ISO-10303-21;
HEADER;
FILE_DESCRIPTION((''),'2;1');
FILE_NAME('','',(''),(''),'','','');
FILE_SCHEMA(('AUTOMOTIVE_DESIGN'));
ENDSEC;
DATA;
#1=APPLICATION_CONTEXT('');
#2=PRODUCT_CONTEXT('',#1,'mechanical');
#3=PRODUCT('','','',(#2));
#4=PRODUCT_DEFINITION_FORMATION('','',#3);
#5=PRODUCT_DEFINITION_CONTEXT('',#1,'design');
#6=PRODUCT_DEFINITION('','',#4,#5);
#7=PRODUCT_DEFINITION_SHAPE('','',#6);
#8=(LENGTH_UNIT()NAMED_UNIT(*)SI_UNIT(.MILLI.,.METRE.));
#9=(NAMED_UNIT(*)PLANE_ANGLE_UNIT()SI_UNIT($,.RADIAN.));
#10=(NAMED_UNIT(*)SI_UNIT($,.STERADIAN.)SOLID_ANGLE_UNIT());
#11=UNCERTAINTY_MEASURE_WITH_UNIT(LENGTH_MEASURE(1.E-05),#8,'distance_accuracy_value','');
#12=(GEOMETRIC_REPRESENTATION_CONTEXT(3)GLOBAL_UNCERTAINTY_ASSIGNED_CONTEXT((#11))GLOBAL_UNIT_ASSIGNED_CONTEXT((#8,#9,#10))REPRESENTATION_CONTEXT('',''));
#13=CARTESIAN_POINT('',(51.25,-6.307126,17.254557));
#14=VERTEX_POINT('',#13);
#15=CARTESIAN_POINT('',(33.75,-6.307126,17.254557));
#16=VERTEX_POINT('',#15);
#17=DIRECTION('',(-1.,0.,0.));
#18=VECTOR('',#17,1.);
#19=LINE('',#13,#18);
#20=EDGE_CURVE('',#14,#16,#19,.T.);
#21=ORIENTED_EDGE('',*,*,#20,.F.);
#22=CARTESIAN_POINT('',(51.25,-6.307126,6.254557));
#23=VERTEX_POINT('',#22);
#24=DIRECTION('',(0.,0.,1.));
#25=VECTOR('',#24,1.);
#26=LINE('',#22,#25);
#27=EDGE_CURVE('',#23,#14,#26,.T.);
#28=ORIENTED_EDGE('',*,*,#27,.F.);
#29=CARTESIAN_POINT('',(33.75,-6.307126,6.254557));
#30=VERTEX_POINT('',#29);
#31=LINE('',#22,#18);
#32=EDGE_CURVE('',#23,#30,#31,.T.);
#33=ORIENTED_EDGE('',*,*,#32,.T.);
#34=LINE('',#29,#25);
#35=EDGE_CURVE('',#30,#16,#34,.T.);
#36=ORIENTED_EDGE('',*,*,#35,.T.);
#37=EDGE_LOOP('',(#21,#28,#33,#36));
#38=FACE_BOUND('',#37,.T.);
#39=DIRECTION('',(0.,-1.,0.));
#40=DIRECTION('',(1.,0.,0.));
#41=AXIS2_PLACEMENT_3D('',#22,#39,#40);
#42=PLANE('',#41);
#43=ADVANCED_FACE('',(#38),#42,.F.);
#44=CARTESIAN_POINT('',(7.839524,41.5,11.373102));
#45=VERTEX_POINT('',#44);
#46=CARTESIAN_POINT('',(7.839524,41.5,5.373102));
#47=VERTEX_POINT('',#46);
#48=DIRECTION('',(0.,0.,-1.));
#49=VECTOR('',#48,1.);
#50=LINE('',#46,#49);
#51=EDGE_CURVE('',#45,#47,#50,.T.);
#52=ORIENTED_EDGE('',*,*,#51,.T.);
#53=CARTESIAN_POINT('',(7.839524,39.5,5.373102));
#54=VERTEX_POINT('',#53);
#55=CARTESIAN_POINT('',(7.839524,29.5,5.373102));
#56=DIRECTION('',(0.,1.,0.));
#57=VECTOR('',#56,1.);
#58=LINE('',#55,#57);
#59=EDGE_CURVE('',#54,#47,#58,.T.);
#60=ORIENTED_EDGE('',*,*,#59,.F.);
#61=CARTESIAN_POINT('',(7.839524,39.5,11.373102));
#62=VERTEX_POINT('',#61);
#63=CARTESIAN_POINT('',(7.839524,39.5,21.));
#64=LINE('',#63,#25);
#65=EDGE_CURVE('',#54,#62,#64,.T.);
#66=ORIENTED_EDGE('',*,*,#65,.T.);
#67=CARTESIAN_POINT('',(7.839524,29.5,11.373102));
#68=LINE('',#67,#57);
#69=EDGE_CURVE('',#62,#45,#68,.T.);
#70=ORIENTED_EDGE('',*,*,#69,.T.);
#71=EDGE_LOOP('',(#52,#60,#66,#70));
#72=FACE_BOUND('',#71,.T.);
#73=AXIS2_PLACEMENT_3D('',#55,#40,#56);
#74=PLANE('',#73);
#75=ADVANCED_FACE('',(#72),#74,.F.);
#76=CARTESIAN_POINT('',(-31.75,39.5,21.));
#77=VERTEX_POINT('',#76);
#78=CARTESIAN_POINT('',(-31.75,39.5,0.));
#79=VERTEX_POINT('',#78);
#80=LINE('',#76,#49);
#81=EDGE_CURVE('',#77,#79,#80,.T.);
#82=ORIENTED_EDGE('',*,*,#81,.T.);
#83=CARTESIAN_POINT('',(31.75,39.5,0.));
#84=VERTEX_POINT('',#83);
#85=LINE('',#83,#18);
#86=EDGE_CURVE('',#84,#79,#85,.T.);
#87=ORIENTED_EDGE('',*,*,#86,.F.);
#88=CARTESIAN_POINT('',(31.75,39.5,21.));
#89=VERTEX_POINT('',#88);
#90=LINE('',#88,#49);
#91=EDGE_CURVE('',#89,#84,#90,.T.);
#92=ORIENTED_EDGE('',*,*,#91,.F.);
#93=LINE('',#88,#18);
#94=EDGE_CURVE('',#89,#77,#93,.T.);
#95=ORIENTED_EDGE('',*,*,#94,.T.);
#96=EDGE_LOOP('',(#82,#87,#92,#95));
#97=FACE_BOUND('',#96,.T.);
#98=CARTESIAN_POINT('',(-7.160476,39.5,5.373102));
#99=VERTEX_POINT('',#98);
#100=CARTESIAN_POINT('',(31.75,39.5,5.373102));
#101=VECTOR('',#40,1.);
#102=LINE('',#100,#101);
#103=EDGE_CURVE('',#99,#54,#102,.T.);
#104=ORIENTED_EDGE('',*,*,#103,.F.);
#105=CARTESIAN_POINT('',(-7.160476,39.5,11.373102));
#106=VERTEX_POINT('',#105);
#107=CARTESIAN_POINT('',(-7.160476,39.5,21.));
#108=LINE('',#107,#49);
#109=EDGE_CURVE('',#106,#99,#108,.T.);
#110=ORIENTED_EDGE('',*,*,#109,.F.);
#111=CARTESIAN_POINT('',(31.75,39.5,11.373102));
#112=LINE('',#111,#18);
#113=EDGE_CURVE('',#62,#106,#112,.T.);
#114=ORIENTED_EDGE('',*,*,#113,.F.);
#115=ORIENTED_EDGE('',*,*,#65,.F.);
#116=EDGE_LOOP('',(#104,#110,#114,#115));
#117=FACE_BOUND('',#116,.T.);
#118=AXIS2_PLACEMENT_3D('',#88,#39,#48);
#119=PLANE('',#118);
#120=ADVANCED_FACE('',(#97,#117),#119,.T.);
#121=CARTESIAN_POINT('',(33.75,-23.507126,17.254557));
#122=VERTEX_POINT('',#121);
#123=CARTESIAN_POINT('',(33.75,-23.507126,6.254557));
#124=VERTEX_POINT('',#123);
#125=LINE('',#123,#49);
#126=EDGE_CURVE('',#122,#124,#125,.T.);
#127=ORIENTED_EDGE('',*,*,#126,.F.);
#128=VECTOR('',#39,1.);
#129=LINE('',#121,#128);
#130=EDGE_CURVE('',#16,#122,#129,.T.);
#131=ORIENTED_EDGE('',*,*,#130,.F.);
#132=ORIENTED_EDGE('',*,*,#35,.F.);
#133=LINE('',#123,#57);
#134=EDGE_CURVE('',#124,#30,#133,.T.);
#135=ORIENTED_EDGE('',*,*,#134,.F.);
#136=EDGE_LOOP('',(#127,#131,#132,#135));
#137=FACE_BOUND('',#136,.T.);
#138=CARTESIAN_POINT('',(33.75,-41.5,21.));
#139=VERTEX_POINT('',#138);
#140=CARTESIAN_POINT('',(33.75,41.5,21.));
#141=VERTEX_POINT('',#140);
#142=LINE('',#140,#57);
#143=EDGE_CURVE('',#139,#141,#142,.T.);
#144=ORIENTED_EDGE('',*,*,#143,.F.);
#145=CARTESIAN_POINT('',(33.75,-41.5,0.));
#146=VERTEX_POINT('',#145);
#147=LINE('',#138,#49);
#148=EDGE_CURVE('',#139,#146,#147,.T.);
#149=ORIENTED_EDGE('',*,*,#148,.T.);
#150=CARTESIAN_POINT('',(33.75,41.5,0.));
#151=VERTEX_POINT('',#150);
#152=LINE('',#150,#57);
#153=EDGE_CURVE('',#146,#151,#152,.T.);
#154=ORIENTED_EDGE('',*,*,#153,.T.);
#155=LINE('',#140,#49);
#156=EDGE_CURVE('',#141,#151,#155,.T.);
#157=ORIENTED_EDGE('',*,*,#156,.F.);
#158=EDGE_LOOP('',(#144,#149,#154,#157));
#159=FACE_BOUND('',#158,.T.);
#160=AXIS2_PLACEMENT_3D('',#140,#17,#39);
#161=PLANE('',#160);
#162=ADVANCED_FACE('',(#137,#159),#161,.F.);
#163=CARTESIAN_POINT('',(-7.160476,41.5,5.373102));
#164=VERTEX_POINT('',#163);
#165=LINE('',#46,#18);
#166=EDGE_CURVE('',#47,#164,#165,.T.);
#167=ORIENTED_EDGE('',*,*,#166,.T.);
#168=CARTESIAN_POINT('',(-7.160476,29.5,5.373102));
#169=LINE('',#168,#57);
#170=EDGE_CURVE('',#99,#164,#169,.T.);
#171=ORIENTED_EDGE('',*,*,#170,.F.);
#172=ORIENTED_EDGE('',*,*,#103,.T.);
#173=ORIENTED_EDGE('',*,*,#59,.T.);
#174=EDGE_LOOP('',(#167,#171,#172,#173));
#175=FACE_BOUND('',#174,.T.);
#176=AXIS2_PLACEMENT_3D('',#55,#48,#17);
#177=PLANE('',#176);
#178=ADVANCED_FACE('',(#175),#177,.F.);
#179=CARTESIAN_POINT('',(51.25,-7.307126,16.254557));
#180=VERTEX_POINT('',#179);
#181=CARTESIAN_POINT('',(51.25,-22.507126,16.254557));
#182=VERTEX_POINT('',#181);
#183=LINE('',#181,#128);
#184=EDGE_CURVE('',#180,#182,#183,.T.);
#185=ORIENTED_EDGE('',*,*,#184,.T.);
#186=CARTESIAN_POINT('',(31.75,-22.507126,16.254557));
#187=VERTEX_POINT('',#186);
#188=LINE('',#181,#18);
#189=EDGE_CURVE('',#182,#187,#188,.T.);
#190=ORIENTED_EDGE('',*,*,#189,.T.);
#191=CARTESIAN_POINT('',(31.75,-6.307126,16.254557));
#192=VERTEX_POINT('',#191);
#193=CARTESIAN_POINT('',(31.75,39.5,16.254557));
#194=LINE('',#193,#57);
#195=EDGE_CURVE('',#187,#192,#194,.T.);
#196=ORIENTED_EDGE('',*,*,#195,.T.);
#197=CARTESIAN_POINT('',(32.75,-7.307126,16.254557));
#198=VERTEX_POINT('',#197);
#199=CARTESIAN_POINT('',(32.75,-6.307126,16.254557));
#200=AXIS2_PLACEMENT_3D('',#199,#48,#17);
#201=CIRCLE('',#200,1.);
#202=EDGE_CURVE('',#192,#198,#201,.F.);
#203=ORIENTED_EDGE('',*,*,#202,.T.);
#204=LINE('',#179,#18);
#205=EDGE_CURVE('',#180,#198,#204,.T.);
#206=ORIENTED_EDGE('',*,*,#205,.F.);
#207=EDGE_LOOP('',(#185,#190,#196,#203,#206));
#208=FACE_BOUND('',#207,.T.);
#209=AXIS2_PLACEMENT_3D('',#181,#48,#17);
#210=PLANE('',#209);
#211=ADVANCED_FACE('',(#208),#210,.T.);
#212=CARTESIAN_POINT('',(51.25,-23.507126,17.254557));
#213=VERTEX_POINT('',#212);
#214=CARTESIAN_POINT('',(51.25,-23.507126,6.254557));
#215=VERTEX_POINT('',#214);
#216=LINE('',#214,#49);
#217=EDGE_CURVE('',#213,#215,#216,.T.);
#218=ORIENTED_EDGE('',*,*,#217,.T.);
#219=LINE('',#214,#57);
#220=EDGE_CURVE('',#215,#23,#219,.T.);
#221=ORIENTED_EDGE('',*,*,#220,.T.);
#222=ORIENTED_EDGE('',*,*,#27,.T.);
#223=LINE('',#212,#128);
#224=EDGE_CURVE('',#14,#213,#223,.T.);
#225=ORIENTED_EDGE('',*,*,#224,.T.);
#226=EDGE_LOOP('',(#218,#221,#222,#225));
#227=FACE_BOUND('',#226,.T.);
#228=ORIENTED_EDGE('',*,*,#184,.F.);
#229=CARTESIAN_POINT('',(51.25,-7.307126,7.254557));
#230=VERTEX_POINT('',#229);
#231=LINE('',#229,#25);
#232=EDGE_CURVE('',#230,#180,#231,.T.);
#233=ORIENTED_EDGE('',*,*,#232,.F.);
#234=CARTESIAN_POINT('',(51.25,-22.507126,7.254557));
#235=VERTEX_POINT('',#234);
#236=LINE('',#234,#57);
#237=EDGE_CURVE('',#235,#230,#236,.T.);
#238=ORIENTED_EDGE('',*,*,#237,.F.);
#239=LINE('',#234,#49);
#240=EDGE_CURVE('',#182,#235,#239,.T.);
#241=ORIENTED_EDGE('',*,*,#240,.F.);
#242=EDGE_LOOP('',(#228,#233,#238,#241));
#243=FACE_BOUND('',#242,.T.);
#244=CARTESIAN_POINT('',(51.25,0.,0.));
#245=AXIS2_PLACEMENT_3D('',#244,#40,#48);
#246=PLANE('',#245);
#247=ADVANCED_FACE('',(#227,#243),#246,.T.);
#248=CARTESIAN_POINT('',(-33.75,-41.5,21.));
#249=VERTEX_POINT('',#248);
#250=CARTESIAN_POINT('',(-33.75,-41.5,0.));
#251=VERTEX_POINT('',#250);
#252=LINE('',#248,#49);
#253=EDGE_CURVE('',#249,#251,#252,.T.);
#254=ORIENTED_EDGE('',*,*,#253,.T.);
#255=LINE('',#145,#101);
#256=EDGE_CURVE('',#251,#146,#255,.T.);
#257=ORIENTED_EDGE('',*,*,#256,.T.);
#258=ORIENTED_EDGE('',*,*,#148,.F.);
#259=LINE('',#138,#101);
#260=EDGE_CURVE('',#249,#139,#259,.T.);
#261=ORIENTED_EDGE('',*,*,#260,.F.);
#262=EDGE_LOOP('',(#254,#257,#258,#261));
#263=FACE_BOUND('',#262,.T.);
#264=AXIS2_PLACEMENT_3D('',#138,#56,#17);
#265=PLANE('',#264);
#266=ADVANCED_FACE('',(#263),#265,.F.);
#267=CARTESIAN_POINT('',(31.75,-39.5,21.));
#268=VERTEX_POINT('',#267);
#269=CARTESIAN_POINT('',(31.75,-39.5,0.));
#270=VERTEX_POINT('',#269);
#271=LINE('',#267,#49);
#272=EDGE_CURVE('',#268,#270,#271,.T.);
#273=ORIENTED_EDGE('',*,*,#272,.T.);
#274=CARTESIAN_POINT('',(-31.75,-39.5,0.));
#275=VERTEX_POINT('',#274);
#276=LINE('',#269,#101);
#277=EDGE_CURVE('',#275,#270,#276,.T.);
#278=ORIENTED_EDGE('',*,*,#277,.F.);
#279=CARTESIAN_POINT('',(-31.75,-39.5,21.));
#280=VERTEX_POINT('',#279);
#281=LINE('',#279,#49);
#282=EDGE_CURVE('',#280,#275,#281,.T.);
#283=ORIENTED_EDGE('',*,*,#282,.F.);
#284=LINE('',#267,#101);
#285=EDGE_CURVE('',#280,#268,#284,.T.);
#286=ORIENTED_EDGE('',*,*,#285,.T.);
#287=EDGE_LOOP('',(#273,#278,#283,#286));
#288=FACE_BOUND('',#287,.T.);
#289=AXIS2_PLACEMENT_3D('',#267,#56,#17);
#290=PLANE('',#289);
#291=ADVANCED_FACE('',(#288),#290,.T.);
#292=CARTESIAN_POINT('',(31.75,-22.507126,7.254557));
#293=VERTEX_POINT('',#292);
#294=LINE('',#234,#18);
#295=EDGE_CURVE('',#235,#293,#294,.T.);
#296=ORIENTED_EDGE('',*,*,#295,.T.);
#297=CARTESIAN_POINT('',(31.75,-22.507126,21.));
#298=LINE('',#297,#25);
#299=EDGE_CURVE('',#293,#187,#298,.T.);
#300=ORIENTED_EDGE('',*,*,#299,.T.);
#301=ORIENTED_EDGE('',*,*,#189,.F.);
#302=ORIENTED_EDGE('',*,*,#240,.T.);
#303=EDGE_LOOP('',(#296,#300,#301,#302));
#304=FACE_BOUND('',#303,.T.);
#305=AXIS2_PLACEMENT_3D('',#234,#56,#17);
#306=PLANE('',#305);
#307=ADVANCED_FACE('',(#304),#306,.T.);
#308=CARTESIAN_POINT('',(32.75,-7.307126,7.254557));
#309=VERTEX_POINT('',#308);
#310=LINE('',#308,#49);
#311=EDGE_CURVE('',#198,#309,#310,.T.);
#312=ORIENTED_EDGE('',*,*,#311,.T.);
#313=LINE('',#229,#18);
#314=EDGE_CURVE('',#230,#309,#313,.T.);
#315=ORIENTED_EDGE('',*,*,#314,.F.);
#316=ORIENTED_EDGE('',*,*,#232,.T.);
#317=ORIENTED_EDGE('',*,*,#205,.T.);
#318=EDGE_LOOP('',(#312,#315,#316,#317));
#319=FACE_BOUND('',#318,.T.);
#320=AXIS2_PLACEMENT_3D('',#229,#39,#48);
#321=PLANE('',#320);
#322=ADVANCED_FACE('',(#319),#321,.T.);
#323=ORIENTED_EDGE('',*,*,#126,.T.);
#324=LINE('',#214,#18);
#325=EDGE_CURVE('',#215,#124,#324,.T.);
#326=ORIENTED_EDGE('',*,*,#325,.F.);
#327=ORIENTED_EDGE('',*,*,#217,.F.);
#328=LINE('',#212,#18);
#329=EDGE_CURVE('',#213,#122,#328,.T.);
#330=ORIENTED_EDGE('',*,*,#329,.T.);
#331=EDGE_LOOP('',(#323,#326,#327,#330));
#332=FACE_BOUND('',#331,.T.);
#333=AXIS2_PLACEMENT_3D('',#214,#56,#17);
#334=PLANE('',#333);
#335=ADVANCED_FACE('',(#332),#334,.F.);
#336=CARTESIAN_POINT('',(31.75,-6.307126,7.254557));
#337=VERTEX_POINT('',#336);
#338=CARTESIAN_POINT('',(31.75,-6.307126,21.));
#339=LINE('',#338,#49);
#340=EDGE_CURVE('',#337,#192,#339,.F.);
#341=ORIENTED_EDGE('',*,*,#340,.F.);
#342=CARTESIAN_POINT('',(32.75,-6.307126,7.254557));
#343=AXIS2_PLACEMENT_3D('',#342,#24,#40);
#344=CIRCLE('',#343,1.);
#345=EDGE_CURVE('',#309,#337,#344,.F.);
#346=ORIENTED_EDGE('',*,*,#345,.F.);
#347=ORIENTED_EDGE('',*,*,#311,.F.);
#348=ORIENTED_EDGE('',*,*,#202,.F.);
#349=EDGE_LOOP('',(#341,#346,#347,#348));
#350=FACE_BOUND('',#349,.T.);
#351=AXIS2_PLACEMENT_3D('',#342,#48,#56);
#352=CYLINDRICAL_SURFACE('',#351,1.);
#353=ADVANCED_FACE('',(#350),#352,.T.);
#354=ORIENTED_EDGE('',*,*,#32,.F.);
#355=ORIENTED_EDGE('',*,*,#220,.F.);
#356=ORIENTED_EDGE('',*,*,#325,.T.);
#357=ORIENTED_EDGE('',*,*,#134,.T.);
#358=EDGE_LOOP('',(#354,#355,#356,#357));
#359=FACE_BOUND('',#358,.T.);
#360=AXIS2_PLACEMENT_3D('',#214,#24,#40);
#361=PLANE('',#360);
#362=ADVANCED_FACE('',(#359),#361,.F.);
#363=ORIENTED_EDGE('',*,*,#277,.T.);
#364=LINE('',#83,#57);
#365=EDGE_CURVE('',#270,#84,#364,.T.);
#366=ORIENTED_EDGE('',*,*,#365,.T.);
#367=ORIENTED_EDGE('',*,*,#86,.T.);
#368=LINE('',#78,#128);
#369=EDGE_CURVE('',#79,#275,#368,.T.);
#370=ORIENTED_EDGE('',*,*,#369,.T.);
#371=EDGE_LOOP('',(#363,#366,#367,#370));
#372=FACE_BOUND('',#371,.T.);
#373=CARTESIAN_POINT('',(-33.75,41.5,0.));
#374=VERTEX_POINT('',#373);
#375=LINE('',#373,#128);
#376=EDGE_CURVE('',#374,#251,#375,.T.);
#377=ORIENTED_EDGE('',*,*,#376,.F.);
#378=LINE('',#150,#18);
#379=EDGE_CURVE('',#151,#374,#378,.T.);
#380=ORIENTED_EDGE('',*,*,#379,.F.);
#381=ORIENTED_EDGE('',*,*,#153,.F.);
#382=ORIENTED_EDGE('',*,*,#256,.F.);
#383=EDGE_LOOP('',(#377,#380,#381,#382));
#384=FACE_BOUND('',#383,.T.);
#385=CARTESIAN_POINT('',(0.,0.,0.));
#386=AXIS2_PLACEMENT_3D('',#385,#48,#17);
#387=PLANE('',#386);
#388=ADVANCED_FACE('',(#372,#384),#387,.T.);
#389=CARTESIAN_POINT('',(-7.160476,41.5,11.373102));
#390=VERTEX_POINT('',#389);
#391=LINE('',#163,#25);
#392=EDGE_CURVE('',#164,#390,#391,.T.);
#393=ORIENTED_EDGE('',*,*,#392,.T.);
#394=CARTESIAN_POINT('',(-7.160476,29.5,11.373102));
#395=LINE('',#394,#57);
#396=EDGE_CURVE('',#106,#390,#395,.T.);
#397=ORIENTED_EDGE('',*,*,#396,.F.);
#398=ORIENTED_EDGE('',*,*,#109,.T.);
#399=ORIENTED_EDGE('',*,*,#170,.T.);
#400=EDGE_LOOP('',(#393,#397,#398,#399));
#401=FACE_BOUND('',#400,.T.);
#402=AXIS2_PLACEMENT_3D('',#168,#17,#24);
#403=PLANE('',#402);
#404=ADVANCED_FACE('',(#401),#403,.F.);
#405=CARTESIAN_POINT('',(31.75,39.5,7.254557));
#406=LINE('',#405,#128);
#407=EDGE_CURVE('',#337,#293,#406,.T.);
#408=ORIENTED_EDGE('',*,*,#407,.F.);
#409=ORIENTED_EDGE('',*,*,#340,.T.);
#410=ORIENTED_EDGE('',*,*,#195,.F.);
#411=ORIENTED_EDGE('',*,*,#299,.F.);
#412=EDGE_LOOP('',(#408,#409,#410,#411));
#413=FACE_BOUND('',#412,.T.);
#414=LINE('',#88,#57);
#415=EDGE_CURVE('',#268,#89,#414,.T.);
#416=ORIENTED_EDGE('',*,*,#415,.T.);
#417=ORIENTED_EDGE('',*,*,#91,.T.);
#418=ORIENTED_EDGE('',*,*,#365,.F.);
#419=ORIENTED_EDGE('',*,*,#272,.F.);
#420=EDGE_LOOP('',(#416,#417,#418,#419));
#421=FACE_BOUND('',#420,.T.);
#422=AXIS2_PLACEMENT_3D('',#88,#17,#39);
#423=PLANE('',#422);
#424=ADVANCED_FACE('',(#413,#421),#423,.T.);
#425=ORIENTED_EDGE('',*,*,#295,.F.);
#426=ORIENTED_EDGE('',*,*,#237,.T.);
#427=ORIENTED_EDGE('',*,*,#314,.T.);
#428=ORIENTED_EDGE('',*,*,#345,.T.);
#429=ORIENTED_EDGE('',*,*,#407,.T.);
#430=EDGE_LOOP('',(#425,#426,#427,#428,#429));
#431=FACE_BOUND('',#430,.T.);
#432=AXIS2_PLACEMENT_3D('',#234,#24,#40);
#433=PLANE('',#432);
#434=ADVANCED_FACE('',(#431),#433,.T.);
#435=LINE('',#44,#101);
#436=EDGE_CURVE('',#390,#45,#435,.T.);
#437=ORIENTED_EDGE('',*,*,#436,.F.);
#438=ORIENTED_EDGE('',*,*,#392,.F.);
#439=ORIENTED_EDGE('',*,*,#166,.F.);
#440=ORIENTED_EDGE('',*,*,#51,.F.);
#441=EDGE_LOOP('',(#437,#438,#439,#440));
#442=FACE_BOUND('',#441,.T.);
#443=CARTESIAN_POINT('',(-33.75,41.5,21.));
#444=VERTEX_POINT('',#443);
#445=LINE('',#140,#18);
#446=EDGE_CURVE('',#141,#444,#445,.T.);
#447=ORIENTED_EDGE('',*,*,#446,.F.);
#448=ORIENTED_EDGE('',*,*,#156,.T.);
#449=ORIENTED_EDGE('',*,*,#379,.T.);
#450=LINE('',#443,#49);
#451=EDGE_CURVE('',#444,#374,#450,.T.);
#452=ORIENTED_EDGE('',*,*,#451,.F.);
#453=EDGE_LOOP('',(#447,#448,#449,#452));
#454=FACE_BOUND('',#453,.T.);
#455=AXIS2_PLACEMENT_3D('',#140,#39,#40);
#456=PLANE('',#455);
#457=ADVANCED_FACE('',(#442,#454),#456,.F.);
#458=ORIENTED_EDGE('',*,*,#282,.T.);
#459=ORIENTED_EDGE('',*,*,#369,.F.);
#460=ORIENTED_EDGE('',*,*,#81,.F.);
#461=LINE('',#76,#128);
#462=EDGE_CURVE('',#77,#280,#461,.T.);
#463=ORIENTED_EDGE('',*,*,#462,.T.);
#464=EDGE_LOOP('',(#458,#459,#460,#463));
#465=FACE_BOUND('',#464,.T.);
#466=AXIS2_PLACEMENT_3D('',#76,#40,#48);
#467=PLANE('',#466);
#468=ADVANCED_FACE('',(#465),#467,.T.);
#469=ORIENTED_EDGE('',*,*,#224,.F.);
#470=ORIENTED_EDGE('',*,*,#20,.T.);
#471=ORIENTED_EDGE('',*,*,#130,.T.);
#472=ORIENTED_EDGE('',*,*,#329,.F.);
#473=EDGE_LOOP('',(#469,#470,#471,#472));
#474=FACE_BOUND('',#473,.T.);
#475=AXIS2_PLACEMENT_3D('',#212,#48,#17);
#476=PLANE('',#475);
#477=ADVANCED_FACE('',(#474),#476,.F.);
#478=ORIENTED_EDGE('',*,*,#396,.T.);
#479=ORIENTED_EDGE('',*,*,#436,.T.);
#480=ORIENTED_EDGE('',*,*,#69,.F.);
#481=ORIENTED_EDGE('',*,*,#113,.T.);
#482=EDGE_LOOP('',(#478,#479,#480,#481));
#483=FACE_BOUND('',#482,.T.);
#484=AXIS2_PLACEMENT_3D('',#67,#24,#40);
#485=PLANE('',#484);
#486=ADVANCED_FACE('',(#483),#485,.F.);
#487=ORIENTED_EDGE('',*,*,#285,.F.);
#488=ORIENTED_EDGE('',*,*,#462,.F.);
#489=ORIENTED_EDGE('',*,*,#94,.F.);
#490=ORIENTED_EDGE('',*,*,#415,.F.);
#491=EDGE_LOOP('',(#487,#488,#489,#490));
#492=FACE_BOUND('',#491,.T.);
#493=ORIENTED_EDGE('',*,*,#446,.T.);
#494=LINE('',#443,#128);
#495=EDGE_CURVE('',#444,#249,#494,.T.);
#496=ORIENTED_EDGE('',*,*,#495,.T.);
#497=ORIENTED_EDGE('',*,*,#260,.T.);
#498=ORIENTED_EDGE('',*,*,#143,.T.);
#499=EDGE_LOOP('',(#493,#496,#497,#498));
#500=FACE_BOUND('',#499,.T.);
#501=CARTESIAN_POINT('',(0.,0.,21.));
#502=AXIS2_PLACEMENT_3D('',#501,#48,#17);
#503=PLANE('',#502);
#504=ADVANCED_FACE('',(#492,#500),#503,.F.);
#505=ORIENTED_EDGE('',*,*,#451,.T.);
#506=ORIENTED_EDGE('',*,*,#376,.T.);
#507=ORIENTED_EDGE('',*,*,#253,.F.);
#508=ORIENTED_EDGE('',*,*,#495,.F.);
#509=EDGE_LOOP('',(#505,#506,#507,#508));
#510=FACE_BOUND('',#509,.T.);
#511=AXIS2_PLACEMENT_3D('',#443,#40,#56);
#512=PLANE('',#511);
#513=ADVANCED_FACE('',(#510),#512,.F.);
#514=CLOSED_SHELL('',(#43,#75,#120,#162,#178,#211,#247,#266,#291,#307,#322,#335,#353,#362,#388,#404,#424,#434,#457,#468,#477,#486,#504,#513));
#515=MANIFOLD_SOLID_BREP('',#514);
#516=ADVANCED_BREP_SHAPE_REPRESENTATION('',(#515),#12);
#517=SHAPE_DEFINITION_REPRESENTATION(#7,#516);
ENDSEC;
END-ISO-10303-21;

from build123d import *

# Parameters (mm, degrees)
SKETCH1_W           = 67.5
SKETCH1_H           = 83
SKETCH1_W_2         = 63.5
SKETCH1_H_2         = 79
BOSS_EXTRUDE1_DEPTH = 21
SKETCH2_W           = 11
SKETCH2_H           = 17.2
SKETCH2_W_2         = 9
SKETCH2_H_2         = 15.2
BOSS_EXTRUDE2_DEPTH = 17.5
SKETCH3_W           = 9
SKETCH3_H           = 15.2
CUT_EXTRUDE1_DEPTH  = 17
FILLET1_R           = 1
SKETCH4_W           = 15
SKETCH4_H           = 6
CUT_EXTRUDE2_DEPTH  = 12


with BuildPart() as part:
    # Sketch1 → Boss-Extrude1 (new body)
    with BuildSketch(Plane.XY):
        Rectangle(SKETCH1_W, SKETCH1_H)
        Rectangle(SKETCH1_W_2, SKETCH1_H_2, mode=Mode.SUBTRACT)
    extrude(amount=BOSS_EXTRUDE1_DEPTH)

    # Sketch2 → Boss-Extrude2 (add)
    with BuildSketch(Plane(origin=(33.75, 0, 0), x_dir=(0, 0, -1), z_dir=(1, 0, 0))):
        with Locations((-11.754556837, -14.907125753)):
            Rectangle(SKETCH2_W, SKETCH2_H)
        with Locations((-11.754556837, -14.907125753)):
            Rectangle(SKETCH2_W_2, SKETCH2_H_2, mode=Mode.SUBTRACT)
    extrude(amount=BOSS_EXTRUDE2_DEPTH)

    # Sketch3 → Cut-Extrude1 (cut)
    with BuildSketch(Plane(origin=(33.75, 0, 0), x_dir=(0, 0, -1), z_dir=(1, 0, 0))):
        with Locations((-11.754556837, -14.907125753)):
            Rectangle(SKETCH3_W, SKETCH3_H)
    extrude(amount=-CUT_EXTRUDE1_DEPTH, mode=Mode.SUBTRACT)

    # Fillet1
    fillet1_edges = [part.edges().sort_by_distance(p)[0] for p in [
        (31.75, -7.307125753, 11.754556837),
    ]]
    fillet(fillet1_edges, radius=FILLET1_R)

    # Sketch4 → Cut-Extrude2 (cut)
    with BuildSketch(Plane(origin=(0, 41.5, 0), x_dir=(1, 0, 0), z_dir=(0, 1, 0))):
        with Locations((0.339523704, -8.373101697)):
            Rectangle(SKETCH4_W, SKETCH4_H)
    extrude(amount=-CUT_EXTRUDE2_DEPTH, mode=Mode.SUBTRACT)


solid = part.part
